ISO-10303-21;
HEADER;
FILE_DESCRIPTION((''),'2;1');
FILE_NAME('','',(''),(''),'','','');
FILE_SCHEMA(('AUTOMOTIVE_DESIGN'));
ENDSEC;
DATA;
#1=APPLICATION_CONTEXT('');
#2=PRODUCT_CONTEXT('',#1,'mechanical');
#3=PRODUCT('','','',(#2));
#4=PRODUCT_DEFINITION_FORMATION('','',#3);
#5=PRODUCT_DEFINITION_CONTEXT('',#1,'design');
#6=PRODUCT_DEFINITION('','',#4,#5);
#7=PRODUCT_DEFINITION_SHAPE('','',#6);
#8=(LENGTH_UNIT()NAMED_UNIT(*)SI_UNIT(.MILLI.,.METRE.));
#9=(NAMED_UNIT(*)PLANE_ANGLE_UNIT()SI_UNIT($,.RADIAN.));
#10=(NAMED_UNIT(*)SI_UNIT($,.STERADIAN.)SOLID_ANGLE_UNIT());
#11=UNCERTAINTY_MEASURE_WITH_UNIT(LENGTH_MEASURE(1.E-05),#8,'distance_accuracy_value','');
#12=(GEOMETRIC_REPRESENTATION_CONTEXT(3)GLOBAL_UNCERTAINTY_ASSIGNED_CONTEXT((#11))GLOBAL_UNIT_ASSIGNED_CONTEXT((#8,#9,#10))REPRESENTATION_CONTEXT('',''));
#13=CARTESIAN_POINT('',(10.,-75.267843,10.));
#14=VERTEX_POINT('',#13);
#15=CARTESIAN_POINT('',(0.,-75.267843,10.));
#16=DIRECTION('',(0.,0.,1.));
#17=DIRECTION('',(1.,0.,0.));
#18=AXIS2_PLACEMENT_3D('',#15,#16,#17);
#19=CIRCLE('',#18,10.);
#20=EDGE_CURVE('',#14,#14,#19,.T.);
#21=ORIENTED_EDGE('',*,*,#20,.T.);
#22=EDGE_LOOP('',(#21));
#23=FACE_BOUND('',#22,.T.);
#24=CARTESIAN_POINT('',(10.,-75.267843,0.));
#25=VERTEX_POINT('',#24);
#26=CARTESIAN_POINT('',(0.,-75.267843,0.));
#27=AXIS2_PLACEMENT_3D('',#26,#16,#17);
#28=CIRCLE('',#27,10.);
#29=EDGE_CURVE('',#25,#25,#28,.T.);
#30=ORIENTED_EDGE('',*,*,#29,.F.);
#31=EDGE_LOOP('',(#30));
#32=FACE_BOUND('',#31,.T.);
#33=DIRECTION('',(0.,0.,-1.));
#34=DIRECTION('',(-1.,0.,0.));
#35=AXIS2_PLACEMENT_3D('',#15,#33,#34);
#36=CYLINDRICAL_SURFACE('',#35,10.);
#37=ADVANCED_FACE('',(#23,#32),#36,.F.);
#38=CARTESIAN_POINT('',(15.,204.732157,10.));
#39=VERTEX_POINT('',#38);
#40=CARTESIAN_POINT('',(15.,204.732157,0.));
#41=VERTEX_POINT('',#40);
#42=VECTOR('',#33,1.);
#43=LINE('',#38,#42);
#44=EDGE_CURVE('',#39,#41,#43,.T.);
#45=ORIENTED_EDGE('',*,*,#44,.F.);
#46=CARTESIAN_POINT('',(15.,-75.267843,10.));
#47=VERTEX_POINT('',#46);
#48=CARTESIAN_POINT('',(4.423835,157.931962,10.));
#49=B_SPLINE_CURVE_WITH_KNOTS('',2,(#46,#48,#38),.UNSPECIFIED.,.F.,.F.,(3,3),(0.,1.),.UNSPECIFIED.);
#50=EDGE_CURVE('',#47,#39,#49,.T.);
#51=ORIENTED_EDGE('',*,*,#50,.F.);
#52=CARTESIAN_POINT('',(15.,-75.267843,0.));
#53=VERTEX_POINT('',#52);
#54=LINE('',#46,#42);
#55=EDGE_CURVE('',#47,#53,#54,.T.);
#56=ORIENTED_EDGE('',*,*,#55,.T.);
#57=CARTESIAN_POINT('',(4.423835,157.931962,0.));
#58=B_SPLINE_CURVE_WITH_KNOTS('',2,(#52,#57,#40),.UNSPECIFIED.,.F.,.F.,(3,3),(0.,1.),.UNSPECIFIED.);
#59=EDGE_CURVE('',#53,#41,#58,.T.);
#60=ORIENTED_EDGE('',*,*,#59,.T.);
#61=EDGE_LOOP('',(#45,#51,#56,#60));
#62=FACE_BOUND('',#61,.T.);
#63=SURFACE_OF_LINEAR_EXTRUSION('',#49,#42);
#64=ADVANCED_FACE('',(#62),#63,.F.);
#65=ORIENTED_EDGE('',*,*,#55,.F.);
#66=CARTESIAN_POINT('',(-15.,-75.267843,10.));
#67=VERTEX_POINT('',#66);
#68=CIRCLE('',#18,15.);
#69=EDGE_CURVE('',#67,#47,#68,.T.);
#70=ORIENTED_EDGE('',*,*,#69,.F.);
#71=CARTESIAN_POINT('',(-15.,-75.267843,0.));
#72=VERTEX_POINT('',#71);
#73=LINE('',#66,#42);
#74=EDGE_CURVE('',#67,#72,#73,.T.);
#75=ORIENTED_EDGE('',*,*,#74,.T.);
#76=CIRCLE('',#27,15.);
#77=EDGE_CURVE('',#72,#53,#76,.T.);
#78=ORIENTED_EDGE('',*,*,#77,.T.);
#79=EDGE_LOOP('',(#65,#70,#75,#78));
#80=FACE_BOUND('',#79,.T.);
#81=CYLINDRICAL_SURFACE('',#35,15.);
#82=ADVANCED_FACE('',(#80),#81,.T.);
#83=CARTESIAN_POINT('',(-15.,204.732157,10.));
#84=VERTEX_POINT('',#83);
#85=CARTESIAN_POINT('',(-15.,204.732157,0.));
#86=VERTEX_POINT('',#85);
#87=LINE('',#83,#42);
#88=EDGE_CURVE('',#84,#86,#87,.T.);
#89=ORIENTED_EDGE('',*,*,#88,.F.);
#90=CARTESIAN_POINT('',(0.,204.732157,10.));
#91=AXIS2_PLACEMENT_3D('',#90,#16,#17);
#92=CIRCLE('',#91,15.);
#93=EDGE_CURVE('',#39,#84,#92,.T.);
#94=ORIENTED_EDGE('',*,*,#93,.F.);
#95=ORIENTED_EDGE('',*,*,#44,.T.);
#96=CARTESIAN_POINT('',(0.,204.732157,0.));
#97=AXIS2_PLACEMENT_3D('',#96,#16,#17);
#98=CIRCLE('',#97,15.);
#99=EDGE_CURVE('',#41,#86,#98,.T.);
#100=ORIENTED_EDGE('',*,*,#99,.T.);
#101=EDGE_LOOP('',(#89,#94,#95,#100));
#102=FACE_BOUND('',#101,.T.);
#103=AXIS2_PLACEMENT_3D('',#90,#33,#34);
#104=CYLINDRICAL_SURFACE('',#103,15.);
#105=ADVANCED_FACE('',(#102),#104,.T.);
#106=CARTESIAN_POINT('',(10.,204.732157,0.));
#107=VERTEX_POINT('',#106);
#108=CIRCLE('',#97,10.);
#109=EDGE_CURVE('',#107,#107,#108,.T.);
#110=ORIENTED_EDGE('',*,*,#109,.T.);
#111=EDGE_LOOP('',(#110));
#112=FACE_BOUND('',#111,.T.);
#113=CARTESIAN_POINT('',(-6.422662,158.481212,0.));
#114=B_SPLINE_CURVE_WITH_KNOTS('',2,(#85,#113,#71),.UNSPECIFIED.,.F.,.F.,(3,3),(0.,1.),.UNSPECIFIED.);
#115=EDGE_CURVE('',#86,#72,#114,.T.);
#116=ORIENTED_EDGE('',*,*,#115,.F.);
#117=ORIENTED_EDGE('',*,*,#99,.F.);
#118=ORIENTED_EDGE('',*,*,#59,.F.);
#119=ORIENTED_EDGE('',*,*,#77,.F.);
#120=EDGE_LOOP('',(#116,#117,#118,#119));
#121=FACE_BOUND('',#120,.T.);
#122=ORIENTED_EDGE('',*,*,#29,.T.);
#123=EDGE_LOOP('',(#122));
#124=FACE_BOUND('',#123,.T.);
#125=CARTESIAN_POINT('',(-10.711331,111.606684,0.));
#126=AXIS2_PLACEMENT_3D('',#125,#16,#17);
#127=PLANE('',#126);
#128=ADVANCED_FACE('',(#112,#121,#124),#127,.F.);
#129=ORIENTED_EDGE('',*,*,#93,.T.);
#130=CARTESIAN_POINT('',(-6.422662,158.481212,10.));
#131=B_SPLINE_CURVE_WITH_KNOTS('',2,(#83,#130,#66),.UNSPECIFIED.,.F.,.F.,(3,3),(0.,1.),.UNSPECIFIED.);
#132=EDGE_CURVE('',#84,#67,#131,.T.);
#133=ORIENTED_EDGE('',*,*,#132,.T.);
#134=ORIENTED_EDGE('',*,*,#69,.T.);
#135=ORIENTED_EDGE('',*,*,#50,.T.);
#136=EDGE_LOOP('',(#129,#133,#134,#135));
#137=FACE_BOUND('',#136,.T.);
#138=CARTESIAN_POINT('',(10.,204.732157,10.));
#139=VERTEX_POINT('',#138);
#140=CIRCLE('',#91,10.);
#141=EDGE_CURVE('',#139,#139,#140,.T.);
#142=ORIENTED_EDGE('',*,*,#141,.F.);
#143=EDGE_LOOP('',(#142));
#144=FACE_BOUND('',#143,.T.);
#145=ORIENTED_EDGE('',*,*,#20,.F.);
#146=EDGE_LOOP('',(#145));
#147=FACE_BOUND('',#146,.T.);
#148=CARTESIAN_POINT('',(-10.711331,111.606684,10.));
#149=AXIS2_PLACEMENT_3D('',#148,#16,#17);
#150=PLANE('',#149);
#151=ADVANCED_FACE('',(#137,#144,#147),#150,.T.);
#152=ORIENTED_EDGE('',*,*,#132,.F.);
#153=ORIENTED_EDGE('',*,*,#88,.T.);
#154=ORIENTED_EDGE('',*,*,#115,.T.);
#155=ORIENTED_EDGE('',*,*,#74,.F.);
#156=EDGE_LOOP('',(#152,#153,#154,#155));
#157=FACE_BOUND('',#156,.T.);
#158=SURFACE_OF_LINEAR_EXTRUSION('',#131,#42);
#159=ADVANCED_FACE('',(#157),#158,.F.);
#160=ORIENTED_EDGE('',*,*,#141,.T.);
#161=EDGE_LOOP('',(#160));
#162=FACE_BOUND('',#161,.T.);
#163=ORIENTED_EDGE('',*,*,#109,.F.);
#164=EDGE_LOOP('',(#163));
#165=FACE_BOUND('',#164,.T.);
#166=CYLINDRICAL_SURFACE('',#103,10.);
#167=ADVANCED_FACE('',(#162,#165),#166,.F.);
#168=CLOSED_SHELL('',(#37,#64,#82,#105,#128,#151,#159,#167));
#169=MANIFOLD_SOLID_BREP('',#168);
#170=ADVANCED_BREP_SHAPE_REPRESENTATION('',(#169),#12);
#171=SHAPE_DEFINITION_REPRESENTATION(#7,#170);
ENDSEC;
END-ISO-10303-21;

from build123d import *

# Parameters (mm, degrees)
SKETCH1_R           = 10
BOSS_EXTRUDE1_DEPTH = 10


with BuildPart() as part:
    # Sketch1 → Boss-Extrude1 (new body)
    with BuildSketch(Plane.XY):
        with BuildLine():
            ThreePointArc((-15, -75.267843328), (0, -90.267843328), (15, -75.267843328))
            add(Edge.make_bspline(
                [(15, 204.732156672), (4.423835308, 157.931962062), (15, -75.267843328)],
                knots=[0, 0, 0, 1, 1, 1], degree=2))
            ThreePointArc((15, 204.732156672), (0, 219.732156672), (-15, 204.732156672))
            add(Edge.make_bspline(
                [(-15, 204.732156672), (-6.422661748, 158.481211522), (-15, -75.267843328)],
                knots=[0, 0, 0, 1, 1, 1], degree=2))
        make_face()
        with Locations((0, -75.267843328)):
            Circle(SKETCH1_R, mode=Mode.SUBTRACT)
        with Locations((0, 204.732156672)):
            Circle(SKETCH1_R, mode=Mode.SUBTRACT)
    extrude(amount=BOSS_EXTRUDE1_DEPTH)


solid = part.part
